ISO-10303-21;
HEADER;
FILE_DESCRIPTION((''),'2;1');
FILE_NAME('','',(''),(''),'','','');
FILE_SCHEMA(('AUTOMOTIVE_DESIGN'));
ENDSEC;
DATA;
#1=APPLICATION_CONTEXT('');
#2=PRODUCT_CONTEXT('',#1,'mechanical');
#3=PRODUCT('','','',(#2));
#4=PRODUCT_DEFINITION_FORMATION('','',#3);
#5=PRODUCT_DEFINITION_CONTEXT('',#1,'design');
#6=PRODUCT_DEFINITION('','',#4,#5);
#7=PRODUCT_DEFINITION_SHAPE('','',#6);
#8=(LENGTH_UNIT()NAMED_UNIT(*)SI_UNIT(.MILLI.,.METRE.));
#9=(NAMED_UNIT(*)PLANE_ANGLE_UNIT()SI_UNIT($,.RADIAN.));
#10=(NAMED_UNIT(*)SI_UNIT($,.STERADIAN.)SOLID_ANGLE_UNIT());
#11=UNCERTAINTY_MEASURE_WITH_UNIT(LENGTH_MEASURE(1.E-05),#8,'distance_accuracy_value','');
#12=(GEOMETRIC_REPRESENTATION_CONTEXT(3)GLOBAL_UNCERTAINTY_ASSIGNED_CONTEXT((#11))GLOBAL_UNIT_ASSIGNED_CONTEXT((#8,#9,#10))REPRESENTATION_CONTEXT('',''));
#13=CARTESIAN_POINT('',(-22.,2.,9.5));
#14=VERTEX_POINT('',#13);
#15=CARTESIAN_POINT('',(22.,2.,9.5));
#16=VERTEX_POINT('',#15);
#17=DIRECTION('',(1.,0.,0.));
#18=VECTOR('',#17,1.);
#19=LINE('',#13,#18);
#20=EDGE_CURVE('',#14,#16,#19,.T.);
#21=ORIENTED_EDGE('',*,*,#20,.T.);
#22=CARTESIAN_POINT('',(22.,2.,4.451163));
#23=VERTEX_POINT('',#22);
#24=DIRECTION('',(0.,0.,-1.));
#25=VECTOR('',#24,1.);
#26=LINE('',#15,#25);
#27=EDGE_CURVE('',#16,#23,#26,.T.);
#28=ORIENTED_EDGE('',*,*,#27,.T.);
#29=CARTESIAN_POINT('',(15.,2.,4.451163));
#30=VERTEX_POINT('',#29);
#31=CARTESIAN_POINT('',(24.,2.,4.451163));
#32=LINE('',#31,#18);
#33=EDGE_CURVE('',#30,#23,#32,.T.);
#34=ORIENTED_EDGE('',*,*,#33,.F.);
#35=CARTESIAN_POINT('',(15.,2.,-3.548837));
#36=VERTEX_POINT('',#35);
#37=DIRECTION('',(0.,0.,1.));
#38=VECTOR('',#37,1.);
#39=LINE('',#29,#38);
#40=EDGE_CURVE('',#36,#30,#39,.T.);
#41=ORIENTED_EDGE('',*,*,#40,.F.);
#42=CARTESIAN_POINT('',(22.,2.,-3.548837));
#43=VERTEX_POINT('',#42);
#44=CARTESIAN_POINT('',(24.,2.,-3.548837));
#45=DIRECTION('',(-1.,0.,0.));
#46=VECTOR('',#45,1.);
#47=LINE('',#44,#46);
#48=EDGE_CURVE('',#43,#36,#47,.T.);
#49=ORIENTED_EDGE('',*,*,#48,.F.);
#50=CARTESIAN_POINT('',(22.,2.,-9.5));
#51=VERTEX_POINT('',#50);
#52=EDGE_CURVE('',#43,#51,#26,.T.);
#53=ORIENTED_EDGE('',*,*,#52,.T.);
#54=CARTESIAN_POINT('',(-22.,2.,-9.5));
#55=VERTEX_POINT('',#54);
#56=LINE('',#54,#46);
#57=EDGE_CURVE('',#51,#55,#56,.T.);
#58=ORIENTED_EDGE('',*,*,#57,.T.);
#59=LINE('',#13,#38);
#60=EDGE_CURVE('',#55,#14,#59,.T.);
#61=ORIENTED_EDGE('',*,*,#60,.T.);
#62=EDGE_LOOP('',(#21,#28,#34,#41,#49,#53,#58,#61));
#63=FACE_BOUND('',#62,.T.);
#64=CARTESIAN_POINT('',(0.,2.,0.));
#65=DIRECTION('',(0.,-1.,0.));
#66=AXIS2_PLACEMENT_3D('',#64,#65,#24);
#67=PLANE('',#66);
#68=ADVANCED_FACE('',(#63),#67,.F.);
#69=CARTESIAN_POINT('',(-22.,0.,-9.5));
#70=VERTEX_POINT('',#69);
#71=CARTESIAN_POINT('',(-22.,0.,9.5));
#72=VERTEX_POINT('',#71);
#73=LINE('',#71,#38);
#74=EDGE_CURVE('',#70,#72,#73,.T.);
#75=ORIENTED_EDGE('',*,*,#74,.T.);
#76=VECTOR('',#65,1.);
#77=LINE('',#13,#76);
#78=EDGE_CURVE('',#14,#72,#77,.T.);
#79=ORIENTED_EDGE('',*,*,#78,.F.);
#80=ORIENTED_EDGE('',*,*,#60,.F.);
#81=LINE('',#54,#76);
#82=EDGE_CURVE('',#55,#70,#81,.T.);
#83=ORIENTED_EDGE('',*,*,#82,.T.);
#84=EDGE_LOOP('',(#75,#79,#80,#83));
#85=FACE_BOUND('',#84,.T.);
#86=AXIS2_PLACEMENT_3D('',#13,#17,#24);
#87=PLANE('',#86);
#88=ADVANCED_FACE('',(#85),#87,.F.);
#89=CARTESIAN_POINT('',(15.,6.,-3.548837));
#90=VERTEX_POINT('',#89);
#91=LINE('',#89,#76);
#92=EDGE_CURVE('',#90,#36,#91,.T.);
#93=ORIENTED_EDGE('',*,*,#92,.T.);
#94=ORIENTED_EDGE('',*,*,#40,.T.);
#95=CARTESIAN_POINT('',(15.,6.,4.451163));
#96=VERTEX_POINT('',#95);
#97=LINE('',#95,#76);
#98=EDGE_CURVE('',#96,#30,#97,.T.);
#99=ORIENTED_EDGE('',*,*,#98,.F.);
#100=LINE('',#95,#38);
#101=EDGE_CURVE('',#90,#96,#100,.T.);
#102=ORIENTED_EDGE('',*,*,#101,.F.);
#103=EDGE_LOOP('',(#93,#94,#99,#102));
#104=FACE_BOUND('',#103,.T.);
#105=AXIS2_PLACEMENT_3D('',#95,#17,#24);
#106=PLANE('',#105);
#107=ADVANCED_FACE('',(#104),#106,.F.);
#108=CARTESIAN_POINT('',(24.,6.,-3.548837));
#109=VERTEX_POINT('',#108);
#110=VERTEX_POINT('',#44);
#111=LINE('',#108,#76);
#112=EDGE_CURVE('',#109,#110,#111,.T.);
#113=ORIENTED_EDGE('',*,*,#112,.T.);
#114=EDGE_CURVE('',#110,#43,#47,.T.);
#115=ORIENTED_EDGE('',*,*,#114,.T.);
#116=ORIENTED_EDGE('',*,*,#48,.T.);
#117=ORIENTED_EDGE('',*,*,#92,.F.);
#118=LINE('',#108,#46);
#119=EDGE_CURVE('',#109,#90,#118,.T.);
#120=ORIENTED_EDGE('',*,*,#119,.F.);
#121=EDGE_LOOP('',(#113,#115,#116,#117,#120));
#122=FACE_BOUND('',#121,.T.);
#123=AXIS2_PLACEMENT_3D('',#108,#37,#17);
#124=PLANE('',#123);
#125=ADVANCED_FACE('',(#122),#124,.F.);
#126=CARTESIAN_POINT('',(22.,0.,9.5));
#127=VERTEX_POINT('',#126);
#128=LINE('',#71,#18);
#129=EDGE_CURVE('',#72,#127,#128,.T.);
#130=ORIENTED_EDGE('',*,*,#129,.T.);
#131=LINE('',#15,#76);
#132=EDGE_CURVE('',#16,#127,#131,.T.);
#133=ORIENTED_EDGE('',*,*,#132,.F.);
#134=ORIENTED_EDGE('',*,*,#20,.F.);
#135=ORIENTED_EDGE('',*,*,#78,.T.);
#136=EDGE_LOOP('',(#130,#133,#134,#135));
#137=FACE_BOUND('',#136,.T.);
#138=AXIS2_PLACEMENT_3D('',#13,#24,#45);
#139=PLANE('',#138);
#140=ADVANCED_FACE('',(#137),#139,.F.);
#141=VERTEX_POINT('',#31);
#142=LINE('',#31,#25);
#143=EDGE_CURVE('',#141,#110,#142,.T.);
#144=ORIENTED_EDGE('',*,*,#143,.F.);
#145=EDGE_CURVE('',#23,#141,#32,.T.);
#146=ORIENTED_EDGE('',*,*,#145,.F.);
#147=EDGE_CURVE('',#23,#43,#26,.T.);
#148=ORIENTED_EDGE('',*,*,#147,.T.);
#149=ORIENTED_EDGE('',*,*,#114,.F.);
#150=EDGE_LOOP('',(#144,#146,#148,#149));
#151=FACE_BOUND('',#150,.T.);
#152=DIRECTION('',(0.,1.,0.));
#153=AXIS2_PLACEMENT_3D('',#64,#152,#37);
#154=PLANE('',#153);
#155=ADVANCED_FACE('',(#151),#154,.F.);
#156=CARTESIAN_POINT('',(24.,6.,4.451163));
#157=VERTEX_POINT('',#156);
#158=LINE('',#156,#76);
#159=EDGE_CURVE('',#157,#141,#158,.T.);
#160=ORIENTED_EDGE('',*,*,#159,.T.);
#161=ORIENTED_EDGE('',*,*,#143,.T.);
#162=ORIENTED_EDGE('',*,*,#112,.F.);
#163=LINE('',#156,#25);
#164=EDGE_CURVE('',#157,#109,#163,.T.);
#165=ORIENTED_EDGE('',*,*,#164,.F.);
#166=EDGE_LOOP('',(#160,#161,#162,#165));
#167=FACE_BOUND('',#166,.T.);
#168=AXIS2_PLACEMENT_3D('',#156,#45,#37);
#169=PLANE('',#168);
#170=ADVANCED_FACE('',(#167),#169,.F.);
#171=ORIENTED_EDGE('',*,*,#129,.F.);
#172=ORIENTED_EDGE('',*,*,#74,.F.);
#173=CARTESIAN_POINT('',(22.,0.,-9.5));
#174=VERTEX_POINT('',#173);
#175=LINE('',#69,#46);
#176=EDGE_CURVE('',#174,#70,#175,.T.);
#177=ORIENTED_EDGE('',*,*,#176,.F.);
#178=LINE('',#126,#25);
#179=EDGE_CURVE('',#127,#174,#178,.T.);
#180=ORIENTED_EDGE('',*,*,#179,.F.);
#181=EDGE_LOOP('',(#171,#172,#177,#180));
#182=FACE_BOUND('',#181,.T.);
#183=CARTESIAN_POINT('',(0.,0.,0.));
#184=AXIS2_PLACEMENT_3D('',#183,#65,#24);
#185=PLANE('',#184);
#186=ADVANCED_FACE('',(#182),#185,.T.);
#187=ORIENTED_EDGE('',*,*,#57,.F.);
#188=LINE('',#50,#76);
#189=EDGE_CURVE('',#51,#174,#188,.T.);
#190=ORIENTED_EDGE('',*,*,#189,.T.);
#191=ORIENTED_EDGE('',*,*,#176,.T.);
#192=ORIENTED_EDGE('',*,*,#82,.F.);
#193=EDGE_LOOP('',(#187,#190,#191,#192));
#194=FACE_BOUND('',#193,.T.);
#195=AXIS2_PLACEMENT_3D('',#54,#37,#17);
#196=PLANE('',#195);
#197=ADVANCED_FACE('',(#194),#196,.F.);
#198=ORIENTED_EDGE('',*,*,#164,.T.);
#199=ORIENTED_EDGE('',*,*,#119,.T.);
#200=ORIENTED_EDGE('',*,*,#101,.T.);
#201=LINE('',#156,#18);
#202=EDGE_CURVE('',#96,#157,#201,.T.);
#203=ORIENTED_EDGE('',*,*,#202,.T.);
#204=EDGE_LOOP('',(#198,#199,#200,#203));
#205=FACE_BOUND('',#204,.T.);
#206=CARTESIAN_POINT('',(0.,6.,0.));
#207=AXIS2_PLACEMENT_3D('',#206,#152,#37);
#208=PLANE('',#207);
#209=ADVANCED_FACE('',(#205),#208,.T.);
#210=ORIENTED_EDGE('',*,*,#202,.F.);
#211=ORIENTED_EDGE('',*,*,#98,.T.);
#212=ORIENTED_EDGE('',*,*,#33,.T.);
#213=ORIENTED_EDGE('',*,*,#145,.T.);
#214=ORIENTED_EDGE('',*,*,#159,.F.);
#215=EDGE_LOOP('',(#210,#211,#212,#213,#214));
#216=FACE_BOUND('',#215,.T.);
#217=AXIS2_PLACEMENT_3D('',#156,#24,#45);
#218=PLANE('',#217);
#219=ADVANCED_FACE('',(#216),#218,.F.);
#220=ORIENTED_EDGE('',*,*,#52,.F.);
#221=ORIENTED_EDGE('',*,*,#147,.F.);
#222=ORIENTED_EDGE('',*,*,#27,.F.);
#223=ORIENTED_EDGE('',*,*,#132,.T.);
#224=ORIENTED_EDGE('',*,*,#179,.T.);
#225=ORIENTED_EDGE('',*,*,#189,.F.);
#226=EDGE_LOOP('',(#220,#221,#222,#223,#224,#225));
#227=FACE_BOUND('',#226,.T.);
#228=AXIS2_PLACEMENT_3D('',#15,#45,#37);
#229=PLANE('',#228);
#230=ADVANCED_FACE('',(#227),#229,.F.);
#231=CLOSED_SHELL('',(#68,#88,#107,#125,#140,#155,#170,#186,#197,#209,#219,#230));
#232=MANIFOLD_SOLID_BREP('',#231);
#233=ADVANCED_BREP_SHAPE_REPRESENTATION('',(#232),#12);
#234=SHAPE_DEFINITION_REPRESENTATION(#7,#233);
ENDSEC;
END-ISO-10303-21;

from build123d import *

# Parameters (mm, degrees)
SKETCH_1_W      = 44
SKETCH_1_H      = 19
EXTRUDE_1_DEPTH = 2
SKETCH_2_W      = 9
SKETCH_2_H      = 8
EXTRUDE_2_DEPTH = 4


with BuildPart() as part:
    # 草图1 → 凸台-拉伸1 (new body)
    with BuildSketch(Plane(origin=(0, 0, 0), x_dir=(1, 0, 0), z_dir=(0, 1, 0))):
        Rectangle(SKETCH_1_W, SKETCH_1_H)
    extrude(amount=EXTRUDE_1_DEPTH)

    # 草图2 → 凸台-拉伸2 (add)
    with BuildSketch(Plane(origin=(0, 2, 0), x_dir=(1, 0, 0), z_dir=(0, 1, 0))):
        with Locations((19.5, -0.451163062)):
            Rectangle(SKETCH_2_W, SKETCH_2_H)
    extrude(amount=EXTRUDE_2_DEPTH)


solid = part.part
